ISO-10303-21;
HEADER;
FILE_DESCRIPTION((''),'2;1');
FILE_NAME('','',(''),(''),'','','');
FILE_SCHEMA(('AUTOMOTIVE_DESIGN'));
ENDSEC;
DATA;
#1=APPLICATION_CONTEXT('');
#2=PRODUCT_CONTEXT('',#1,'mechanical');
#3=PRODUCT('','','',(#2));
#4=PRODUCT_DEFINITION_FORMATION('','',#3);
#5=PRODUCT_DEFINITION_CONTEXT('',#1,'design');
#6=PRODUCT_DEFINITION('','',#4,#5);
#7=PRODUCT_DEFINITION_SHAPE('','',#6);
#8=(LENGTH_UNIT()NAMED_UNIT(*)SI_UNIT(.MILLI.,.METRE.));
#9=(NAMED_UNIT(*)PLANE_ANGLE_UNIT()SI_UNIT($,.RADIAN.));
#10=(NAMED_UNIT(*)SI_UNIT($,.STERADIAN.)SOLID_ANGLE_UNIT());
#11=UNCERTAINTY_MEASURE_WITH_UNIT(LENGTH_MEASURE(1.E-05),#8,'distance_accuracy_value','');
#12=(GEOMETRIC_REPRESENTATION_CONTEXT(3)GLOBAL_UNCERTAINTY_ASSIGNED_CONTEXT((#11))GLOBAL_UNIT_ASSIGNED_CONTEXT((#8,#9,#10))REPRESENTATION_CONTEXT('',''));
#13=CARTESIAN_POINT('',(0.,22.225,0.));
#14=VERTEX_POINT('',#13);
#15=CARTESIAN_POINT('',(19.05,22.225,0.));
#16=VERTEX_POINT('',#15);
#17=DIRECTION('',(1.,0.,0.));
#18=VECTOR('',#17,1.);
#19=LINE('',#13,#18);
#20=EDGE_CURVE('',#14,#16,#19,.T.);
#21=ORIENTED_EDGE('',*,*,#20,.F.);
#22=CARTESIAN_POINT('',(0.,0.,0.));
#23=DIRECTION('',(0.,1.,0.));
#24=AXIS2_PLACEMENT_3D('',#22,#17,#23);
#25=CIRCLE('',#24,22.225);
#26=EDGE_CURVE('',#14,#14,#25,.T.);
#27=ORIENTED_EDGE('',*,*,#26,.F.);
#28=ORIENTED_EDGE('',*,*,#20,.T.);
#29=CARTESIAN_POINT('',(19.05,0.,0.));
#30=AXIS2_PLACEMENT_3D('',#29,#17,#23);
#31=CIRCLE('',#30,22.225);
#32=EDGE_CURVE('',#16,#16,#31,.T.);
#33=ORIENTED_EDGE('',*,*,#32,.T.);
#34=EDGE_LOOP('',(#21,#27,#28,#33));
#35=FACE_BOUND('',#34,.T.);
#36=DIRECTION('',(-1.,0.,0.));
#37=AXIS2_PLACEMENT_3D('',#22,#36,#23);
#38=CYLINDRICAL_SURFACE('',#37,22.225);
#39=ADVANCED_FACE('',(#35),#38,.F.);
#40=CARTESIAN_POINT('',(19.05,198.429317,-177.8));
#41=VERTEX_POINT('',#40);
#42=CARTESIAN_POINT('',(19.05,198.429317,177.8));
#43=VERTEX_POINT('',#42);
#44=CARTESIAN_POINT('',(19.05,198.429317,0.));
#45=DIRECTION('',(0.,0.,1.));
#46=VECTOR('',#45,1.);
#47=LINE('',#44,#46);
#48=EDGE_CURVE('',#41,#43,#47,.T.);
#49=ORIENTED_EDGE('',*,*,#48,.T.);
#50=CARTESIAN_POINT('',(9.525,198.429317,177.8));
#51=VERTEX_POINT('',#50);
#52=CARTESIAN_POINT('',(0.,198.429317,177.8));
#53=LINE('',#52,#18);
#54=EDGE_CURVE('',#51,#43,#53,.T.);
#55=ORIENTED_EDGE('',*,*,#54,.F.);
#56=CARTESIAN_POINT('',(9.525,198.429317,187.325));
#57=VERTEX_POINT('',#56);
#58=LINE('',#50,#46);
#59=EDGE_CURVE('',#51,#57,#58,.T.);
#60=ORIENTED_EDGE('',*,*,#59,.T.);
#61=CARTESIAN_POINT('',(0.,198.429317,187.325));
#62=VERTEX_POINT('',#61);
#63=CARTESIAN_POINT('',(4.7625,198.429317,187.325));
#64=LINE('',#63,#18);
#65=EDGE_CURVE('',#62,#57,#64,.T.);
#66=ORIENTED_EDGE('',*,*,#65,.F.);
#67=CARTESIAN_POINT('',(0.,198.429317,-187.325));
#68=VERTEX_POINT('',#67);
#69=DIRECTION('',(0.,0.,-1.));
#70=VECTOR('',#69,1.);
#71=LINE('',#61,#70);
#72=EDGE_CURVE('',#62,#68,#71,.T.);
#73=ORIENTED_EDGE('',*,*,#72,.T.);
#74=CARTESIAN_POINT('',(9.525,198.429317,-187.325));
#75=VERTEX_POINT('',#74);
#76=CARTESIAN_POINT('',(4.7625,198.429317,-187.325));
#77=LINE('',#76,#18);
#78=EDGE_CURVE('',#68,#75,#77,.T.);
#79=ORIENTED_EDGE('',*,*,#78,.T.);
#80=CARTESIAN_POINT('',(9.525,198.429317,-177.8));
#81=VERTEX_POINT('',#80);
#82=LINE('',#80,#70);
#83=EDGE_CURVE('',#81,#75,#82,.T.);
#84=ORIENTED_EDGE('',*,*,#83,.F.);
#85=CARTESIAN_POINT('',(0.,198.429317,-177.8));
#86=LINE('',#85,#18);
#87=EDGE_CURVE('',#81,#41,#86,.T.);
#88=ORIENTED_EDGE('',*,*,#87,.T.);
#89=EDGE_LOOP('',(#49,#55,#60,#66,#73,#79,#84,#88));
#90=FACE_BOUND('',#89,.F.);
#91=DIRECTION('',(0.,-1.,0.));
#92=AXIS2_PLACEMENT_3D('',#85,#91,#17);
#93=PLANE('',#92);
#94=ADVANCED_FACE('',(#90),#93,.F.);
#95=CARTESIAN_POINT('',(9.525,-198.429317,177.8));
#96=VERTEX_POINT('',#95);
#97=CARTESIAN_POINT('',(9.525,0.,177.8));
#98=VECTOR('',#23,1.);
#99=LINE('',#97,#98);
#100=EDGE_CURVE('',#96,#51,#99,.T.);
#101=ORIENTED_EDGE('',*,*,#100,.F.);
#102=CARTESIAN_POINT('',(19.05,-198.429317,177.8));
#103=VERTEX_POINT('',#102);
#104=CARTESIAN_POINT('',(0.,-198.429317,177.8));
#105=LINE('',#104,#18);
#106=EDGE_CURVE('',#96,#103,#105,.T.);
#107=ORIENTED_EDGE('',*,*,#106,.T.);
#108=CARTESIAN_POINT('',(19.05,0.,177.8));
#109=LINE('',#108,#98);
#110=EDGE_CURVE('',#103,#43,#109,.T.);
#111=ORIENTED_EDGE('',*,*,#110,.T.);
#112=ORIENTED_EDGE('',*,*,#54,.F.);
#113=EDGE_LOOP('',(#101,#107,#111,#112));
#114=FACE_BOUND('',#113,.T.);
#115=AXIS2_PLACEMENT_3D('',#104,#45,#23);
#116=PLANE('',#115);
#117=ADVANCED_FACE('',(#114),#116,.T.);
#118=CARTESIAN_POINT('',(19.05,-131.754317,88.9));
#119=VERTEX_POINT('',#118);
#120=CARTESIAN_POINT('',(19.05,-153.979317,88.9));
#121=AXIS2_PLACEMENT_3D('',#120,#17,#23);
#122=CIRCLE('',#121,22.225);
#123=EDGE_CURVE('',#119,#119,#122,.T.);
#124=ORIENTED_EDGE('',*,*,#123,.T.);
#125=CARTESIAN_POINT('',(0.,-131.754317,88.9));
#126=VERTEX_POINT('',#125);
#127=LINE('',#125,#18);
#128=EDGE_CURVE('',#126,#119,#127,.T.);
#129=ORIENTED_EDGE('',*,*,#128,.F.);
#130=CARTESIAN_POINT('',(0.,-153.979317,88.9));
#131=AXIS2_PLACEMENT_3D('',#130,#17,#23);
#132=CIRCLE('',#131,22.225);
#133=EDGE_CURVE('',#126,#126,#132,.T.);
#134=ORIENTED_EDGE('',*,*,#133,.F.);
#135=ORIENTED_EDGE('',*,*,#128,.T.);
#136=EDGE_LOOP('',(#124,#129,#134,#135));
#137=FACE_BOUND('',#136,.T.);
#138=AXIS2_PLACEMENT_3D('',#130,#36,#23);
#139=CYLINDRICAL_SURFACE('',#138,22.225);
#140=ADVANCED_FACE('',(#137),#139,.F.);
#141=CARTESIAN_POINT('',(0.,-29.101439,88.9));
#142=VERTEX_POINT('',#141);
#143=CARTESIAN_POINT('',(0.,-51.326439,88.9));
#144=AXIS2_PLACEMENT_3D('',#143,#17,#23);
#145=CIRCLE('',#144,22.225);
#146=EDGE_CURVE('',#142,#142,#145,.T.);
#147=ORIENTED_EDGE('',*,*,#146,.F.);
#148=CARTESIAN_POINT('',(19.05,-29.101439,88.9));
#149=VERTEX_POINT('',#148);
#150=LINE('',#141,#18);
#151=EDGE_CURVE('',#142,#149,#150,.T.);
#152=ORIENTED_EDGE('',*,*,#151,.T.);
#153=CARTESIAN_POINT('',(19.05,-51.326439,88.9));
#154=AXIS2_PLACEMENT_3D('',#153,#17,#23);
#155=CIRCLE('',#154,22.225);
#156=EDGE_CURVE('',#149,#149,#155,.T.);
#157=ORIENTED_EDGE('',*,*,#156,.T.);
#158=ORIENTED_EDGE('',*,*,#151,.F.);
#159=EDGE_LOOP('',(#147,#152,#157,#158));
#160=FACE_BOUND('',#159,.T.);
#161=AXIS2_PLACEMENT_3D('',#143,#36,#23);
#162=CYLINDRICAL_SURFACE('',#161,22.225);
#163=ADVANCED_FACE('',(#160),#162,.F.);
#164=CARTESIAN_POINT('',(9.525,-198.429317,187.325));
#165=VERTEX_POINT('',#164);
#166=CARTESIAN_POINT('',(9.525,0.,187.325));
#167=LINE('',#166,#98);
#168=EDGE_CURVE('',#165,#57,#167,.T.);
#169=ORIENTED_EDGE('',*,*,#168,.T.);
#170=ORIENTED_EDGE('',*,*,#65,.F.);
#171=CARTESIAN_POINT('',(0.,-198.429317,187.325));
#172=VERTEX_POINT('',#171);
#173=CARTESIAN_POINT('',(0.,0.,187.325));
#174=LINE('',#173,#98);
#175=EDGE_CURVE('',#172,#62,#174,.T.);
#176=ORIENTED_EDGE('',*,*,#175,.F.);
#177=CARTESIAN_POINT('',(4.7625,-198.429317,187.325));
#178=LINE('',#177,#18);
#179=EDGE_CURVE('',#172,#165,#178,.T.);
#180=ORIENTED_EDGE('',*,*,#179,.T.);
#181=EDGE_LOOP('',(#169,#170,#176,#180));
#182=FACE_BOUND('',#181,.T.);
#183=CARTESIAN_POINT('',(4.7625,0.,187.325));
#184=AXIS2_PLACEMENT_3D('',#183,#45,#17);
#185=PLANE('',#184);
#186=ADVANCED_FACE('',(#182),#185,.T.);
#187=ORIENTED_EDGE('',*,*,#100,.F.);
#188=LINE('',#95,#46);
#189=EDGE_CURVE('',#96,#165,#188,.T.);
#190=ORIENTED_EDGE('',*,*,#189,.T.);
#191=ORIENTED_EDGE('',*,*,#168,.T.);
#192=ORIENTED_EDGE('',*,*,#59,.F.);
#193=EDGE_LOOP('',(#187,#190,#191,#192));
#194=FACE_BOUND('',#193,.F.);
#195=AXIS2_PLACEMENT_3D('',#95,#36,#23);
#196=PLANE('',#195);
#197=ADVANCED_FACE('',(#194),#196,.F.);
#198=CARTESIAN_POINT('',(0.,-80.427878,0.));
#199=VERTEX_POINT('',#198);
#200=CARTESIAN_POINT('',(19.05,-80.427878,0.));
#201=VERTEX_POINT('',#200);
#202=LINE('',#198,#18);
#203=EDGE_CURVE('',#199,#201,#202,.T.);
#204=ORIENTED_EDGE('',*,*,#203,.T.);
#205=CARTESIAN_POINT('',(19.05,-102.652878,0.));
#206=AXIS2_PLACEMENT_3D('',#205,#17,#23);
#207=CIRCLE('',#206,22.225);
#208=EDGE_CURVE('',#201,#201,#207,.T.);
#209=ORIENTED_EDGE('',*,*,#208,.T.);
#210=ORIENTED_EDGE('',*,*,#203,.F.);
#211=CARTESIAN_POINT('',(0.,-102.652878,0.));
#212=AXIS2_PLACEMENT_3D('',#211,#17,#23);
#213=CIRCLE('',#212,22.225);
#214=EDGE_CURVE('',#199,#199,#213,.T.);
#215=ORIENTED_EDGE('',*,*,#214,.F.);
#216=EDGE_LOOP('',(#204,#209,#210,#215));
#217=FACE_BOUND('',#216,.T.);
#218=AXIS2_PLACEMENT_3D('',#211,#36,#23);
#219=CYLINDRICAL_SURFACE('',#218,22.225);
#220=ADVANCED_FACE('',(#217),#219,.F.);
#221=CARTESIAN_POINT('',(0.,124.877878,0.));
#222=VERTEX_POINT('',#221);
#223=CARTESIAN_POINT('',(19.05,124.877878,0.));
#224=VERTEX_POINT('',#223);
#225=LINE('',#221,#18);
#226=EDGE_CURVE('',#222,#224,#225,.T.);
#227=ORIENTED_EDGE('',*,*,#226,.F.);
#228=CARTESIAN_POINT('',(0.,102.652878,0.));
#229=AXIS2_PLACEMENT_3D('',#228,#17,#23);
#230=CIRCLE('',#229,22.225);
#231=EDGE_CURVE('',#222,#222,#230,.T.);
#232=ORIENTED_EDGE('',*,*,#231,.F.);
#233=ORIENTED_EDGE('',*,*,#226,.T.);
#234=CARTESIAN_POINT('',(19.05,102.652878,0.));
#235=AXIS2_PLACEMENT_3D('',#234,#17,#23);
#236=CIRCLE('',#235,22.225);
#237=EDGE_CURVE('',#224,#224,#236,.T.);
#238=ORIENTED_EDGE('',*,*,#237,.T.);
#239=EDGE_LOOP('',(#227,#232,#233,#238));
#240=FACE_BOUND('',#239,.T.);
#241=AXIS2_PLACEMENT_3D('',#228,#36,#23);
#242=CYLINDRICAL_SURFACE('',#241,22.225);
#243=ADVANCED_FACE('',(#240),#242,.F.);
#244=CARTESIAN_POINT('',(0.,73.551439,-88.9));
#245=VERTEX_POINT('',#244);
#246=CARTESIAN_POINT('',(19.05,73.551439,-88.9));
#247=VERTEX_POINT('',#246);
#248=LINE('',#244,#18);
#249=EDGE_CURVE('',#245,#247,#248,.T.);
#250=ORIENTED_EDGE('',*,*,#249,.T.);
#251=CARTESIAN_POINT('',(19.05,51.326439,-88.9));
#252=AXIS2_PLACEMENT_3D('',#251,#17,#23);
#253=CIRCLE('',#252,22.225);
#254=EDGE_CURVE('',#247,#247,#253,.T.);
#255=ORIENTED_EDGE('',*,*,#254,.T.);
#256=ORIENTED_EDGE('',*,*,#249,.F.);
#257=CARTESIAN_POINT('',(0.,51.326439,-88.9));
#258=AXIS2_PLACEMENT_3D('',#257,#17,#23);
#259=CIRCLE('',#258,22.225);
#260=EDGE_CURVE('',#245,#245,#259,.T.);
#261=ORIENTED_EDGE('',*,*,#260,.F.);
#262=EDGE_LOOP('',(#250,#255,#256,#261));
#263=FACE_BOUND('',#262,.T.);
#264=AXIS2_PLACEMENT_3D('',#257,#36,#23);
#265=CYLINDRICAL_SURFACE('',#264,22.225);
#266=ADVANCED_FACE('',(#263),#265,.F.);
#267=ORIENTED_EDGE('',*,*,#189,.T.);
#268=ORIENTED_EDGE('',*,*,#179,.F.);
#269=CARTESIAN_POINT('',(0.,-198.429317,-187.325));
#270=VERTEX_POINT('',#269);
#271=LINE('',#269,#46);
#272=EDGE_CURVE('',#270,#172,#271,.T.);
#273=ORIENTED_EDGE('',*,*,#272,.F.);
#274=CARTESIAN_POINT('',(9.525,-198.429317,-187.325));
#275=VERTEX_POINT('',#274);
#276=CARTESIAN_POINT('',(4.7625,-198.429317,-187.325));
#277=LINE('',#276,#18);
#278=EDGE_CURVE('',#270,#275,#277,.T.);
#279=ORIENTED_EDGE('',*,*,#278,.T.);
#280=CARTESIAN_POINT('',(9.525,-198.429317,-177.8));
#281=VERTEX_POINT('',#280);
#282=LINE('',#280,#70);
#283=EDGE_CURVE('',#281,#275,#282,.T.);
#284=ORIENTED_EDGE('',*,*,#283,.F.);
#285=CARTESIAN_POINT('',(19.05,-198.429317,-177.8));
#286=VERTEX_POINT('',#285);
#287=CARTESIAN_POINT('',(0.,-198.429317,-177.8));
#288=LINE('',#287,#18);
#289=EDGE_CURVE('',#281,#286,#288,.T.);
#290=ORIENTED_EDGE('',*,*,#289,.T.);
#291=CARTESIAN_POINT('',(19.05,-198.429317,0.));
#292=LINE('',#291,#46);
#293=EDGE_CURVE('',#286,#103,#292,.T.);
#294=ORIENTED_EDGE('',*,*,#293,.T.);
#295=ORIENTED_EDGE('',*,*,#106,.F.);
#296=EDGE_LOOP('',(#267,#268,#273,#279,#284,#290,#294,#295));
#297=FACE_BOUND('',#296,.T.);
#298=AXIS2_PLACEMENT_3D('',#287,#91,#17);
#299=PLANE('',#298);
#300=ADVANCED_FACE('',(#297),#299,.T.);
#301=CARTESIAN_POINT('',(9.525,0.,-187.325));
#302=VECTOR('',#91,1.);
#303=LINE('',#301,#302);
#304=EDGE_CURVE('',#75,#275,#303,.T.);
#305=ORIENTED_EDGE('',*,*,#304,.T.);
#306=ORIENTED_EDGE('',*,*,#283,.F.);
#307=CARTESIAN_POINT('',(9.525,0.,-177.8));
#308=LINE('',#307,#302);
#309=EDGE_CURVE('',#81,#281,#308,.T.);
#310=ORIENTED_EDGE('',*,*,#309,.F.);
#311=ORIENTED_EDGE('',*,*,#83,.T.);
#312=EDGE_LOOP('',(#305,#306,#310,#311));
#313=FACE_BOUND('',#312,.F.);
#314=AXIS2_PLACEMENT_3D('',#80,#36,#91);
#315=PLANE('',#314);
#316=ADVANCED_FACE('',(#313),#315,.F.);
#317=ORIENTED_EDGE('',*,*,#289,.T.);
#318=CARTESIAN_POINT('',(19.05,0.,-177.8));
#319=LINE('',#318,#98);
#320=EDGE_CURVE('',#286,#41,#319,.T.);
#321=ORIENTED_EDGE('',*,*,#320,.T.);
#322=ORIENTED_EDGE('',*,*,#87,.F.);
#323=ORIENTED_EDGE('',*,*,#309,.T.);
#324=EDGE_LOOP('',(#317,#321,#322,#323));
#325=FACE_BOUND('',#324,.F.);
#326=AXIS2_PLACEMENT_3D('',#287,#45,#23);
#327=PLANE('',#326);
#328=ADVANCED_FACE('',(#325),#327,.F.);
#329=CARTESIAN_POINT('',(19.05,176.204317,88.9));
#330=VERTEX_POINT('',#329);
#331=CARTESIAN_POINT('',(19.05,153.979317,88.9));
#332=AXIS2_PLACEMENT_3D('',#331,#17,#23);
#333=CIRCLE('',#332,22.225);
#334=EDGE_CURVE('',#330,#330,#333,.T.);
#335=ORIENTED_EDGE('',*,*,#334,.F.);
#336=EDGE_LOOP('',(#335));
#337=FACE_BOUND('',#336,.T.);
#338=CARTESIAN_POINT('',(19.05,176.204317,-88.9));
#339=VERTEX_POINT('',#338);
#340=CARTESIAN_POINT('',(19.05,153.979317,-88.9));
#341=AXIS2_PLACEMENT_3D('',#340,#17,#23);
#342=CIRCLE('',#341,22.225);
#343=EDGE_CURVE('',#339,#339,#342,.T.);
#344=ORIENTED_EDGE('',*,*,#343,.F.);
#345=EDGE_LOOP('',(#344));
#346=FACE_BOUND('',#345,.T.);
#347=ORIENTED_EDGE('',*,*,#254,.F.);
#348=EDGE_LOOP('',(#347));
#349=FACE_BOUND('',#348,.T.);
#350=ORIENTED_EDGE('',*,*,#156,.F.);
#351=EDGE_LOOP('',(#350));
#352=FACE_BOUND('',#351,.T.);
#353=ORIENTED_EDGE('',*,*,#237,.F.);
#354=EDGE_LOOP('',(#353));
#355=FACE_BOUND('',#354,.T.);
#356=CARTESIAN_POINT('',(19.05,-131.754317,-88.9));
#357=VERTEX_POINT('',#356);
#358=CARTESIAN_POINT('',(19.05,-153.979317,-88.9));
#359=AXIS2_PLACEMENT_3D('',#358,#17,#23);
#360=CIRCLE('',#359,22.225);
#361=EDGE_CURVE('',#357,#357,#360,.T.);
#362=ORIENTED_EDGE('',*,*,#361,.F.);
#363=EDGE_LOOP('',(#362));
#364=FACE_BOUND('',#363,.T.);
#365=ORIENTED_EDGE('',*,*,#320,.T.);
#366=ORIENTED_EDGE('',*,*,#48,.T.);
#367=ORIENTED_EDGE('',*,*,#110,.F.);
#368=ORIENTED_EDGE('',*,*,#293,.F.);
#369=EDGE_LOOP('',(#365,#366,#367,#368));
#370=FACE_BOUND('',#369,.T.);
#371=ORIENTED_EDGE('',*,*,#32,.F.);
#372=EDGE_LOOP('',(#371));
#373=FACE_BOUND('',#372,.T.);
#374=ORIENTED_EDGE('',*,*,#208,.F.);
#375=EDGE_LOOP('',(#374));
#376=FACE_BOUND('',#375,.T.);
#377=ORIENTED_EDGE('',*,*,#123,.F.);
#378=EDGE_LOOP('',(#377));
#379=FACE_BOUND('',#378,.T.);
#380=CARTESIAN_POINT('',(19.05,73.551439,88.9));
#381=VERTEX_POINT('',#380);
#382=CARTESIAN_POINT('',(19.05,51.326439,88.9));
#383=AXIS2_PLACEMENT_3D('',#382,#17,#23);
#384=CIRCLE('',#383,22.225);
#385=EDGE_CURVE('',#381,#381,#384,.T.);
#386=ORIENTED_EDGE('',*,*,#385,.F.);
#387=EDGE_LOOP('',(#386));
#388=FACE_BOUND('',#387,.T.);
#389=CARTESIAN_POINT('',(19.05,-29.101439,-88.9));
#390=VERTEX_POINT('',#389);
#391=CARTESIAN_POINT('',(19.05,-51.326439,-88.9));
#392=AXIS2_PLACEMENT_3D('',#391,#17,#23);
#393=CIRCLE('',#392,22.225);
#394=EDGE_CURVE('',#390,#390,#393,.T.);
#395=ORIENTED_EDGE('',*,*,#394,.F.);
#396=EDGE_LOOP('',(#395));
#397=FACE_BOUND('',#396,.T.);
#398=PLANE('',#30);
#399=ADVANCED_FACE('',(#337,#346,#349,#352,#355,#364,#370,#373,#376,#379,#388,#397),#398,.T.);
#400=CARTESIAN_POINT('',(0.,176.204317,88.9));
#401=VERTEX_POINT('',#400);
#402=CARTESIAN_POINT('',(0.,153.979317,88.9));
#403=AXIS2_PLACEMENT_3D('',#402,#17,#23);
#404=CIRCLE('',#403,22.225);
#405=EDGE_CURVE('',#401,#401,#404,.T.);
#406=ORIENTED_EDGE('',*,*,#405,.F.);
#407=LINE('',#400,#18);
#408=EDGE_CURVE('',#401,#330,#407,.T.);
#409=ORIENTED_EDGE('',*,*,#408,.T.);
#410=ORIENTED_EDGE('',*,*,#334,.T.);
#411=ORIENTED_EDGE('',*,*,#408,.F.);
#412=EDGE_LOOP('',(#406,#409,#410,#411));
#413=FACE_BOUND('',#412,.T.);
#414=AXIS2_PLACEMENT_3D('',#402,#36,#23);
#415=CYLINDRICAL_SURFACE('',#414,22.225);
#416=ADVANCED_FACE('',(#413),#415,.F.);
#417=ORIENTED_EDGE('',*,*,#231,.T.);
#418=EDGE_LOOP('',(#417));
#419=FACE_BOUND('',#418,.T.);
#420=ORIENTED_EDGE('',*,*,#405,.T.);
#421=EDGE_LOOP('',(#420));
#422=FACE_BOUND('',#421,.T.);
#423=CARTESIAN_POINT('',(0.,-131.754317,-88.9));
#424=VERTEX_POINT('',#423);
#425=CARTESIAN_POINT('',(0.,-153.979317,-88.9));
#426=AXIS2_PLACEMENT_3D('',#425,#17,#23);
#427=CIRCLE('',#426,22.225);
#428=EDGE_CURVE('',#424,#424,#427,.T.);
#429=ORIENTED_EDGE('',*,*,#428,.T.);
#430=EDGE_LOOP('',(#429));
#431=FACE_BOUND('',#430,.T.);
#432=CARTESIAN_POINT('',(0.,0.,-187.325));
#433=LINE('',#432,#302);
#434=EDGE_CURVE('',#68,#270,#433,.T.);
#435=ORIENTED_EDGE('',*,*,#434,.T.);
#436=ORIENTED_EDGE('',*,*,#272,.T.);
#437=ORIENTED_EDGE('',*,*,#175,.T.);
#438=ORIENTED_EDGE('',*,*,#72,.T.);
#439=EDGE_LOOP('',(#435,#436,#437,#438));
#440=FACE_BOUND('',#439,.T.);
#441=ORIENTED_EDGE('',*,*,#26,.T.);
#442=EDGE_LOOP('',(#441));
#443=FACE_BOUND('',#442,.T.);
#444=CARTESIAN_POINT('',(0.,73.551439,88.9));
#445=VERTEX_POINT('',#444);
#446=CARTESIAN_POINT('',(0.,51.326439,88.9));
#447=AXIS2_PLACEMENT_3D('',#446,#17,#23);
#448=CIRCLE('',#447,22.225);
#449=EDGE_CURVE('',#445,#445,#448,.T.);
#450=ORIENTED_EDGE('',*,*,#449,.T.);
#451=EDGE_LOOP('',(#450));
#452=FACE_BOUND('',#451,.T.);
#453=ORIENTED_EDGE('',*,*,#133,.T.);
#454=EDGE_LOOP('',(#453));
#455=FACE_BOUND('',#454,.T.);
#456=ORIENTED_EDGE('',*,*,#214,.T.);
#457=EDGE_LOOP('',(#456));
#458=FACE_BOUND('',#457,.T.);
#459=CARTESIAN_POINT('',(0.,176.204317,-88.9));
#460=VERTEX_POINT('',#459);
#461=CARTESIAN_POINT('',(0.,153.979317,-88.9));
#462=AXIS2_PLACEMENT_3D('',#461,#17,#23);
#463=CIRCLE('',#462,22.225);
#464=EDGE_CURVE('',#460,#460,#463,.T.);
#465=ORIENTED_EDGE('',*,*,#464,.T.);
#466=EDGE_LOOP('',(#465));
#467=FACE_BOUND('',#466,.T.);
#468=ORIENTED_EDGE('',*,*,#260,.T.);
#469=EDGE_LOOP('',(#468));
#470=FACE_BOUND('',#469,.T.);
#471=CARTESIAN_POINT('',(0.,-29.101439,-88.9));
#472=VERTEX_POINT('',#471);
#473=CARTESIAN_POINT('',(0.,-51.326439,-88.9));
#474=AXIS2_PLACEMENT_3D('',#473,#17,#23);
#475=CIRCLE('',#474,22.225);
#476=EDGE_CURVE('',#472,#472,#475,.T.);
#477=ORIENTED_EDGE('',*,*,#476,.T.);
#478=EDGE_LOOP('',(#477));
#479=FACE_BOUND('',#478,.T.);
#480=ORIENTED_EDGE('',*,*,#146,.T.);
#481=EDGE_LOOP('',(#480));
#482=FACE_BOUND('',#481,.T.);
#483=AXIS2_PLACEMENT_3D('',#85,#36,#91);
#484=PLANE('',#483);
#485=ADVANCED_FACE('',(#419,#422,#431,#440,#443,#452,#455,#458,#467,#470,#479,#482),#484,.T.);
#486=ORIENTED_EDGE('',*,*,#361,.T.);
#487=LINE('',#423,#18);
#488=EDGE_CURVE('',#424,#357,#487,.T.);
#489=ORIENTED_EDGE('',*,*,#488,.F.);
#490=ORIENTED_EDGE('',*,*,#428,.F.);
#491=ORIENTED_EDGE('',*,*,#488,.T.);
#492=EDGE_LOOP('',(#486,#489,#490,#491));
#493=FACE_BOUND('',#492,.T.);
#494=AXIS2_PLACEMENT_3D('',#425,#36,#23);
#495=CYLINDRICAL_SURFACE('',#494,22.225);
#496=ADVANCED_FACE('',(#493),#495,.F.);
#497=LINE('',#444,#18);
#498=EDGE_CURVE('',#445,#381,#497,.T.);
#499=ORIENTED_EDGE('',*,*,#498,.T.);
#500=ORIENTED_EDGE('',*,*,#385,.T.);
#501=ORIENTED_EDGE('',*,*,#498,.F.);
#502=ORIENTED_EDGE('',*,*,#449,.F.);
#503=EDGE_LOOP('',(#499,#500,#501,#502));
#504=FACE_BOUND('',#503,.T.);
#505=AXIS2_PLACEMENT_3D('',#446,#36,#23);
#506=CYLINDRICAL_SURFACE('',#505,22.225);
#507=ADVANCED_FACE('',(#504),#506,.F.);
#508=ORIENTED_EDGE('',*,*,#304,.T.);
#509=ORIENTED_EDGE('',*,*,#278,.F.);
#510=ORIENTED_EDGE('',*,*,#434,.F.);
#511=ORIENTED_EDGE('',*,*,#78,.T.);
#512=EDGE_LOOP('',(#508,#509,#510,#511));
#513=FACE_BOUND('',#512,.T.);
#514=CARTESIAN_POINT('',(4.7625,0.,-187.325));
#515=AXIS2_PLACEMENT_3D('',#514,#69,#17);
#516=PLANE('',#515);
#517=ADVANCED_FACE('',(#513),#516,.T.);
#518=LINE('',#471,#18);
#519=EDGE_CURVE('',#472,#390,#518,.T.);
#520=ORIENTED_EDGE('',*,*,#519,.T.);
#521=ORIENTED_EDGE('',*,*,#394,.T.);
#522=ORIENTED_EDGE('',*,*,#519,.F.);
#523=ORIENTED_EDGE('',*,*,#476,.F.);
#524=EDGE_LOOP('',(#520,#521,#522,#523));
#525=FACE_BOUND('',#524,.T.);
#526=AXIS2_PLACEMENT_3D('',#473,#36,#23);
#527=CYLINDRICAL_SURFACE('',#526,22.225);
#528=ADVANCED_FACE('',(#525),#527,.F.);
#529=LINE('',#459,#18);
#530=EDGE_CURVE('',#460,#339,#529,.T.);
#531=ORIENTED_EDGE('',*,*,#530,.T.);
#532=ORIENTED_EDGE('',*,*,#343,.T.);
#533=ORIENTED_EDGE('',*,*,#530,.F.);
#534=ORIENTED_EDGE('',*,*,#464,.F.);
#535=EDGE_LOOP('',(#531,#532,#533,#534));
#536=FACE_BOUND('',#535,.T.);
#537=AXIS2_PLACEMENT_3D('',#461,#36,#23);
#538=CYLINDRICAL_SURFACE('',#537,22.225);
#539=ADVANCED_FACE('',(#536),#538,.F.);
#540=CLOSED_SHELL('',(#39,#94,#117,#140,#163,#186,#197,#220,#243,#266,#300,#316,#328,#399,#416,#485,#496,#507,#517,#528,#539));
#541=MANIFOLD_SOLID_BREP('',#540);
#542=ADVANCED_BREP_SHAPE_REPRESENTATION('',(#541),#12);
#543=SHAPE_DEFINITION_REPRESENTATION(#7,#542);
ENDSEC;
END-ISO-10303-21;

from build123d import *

# Parameters (mm, degrees)
F0_W     = 396.858634
F0_H     = 355.6
F0_R     = 22.225
F1_DEPTH = 19.05
F2_W     = 9.525
F2_H     = 396.858634
F3_DEPTH = 9.525
F4_W     = 9.525
F4_H     = 396.858634
F5_DEPTH = 9.525


with BuildPart() as f1:
    # F0 (on Right) → F1 (new body)
    with BuildSketch(Plane.YZ):
        Rectangle(F0_W, F0_H)
        with Locations((-153.979317, -88.9)):
            Circle(F0_R, mode=Mode.SUBTRACT)
        with Locations((-51.326439, -88.9)):
            Circle(F0_R, mode=Mode.SUBTRACT)
        with Locations((51.326439, -88.9)):
            Circle(F0_R, mode=Mode.SUBTRACT)
        with Locations((153.979317, -88.9)):
            Circle(F0_R, mode=Mode.SUBTRACT)
        with Locations((-102.652878, 0)):
            Circle(F0_R, mode=Mode.SUBTRACT)
        with Locations((-153.979317, 88.9)):
            Circle(F0_R, mode=Mode.SUBTRACT)
        with Locations((-51.326439, 88.9)):
            Circle(F0_R, mode=Mode.SUBTRACT)
        Circle(F0_R, mode=Mode.SUBTRACT)
        with Locations((102.652878, 0)):
            Circle(F0_R, mode=Mode.SUBTRACT)
        with Locations((51.326439, 88.9)):
            Circle(F0_R, mode=Mode.SUBTRACT)
        with Locations((153.979317, 88.9)):
            Circle(F0_R, mode=Mode.SUBTRACT)
    extrude(amount=F1_DEPTH)

    # F2 (on face) → F3 (join)
    with BuildSketch(Plane.XY.offset(177.8)):
        with Locations((4.7625, 0)):
            Rectangle(F2_W, F2_H)
    extrude(amount=F3_DEPTH)

    # F4 (on face) → F5 (join)
    with BuildSketch(Plane(origin=(0, 0, -177.8), x_dir=(1, 0, 0), z_dir=(0, 0, -1))):
        with Locations((4.7625, 0)):
            Rectangle(F4_W, F4_H)
    extrude(amount=F5_DEPTH)


solid = f1.part
